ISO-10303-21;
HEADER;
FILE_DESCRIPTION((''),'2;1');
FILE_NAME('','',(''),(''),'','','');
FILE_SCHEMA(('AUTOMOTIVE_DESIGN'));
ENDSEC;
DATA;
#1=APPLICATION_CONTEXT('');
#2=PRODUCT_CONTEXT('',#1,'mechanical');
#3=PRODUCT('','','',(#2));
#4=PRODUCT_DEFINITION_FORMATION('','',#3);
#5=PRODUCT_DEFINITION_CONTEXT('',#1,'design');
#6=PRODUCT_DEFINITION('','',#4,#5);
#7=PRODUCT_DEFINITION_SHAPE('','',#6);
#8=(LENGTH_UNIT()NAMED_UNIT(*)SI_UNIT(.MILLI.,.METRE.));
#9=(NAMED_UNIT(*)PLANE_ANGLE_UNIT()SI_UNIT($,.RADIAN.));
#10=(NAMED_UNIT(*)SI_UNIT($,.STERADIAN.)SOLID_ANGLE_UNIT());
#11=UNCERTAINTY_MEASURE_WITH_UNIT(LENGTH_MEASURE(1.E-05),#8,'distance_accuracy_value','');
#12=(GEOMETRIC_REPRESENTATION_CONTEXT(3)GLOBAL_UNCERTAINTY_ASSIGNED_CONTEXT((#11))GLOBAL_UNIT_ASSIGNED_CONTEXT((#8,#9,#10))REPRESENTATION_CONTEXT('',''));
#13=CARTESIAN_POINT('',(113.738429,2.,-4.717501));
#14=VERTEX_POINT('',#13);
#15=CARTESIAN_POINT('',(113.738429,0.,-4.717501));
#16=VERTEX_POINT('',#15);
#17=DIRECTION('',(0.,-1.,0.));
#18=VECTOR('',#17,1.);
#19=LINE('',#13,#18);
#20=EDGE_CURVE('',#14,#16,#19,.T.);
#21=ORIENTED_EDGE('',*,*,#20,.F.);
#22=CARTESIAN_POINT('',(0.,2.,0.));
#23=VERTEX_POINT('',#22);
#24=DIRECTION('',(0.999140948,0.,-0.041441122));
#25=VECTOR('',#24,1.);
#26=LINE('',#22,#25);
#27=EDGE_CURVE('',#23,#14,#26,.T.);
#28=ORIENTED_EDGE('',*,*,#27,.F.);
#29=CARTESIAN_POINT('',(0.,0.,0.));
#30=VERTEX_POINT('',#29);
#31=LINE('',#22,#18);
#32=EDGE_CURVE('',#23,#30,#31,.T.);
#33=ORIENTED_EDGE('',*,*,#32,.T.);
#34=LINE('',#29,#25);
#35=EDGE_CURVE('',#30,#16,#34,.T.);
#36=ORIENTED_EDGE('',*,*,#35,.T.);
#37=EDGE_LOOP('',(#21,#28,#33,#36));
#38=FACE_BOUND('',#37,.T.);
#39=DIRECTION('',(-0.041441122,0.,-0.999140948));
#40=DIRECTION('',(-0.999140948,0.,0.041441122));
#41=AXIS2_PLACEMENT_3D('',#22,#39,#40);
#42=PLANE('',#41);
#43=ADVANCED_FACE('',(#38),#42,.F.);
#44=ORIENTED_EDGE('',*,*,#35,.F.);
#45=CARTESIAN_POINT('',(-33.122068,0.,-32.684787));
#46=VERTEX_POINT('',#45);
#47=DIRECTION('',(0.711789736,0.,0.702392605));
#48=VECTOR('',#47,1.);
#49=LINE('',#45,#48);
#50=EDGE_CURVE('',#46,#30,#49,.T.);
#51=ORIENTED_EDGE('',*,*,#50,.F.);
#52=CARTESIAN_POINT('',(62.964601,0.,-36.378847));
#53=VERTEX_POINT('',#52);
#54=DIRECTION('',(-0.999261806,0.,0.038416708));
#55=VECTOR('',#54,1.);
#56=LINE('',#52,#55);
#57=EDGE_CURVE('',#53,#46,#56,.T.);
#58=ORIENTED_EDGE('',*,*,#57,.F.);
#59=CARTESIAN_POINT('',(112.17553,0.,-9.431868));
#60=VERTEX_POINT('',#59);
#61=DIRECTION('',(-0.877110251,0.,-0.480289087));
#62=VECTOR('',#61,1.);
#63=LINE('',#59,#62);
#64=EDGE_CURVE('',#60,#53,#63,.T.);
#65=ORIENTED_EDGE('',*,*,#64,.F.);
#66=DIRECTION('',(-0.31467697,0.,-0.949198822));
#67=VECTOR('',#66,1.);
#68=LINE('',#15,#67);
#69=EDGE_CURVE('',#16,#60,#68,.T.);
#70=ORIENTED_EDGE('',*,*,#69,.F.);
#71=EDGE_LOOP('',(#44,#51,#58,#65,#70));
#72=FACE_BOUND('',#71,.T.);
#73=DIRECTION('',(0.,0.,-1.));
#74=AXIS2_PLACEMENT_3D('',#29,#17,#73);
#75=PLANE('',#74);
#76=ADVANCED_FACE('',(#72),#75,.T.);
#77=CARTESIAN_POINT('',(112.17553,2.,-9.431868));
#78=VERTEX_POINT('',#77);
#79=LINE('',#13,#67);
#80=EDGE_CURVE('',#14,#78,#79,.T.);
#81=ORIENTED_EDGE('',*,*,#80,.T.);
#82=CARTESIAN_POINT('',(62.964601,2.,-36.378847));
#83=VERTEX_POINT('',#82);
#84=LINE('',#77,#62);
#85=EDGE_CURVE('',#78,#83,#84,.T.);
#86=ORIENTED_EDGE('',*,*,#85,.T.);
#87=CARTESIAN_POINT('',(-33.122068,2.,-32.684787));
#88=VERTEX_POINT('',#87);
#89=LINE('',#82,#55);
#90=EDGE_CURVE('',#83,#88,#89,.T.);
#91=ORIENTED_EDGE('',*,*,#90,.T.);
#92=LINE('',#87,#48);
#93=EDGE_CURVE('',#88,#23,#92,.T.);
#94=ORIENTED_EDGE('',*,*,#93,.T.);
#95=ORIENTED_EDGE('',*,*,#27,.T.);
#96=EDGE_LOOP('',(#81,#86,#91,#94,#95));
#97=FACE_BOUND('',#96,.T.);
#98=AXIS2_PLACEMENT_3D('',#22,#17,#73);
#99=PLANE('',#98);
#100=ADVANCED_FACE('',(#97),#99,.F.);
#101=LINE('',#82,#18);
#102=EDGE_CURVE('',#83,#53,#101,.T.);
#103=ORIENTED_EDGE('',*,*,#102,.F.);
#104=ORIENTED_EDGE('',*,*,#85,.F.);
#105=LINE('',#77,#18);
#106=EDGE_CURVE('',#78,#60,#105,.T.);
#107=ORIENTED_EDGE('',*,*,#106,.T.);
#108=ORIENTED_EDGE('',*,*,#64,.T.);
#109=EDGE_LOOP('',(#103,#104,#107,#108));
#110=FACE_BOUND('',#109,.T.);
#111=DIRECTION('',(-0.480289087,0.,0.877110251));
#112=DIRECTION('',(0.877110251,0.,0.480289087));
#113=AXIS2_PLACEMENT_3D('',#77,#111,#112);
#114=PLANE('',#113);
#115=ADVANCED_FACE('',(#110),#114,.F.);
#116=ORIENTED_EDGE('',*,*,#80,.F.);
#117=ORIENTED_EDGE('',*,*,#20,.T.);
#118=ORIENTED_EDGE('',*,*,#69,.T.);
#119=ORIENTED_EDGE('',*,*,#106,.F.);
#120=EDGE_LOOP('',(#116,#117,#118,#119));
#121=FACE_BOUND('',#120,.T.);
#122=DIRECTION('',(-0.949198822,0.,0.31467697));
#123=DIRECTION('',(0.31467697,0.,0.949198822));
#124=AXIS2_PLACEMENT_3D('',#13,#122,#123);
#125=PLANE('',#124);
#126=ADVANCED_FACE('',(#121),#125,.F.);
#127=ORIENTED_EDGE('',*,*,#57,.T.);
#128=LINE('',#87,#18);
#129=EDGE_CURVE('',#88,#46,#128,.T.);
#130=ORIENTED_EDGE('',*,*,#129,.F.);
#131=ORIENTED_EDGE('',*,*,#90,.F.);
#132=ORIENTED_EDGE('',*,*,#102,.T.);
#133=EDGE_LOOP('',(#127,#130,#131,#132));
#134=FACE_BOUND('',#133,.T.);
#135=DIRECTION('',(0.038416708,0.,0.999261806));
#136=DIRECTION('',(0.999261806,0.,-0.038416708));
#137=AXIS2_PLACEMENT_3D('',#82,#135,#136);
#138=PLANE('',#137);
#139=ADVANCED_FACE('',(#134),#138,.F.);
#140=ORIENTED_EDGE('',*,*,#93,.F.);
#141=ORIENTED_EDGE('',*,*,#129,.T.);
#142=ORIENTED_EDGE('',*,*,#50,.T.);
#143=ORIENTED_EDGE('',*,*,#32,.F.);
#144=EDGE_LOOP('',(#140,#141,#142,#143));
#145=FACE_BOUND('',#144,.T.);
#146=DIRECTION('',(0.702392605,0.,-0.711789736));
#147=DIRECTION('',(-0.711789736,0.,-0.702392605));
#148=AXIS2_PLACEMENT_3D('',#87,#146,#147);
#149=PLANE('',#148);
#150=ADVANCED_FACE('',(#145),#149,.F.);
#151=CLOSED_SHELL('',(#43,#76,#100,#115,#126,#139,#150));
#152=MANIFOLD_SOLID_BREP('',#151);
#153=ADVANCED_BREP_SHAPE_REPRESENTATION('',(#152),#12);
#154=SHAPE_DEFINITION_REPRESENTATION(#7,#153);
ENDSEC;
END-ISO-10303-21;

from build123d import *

# Parameters (mm, degrees)
BOSS_EXTRU_1_DEPTH = 2


with BuildPart() as part:
    # Esquisse1 → Boss.-Extru.1 (new body)
    with BuildSketch(Plane(origin=(0, 0, 0), x_dir=(1, 0, 0), z_dir=(0, 1, 0))):
        Polygon((112.175529537, 9.43186764), (62.964600566, 36.378847329), (-33.122068319, 32.684786879), (0, 0), (113.73842941, 4.717500652), align=None)
    extrude(amount=BOSS_EXTRU_1_DEPTH)


solid = part.part
